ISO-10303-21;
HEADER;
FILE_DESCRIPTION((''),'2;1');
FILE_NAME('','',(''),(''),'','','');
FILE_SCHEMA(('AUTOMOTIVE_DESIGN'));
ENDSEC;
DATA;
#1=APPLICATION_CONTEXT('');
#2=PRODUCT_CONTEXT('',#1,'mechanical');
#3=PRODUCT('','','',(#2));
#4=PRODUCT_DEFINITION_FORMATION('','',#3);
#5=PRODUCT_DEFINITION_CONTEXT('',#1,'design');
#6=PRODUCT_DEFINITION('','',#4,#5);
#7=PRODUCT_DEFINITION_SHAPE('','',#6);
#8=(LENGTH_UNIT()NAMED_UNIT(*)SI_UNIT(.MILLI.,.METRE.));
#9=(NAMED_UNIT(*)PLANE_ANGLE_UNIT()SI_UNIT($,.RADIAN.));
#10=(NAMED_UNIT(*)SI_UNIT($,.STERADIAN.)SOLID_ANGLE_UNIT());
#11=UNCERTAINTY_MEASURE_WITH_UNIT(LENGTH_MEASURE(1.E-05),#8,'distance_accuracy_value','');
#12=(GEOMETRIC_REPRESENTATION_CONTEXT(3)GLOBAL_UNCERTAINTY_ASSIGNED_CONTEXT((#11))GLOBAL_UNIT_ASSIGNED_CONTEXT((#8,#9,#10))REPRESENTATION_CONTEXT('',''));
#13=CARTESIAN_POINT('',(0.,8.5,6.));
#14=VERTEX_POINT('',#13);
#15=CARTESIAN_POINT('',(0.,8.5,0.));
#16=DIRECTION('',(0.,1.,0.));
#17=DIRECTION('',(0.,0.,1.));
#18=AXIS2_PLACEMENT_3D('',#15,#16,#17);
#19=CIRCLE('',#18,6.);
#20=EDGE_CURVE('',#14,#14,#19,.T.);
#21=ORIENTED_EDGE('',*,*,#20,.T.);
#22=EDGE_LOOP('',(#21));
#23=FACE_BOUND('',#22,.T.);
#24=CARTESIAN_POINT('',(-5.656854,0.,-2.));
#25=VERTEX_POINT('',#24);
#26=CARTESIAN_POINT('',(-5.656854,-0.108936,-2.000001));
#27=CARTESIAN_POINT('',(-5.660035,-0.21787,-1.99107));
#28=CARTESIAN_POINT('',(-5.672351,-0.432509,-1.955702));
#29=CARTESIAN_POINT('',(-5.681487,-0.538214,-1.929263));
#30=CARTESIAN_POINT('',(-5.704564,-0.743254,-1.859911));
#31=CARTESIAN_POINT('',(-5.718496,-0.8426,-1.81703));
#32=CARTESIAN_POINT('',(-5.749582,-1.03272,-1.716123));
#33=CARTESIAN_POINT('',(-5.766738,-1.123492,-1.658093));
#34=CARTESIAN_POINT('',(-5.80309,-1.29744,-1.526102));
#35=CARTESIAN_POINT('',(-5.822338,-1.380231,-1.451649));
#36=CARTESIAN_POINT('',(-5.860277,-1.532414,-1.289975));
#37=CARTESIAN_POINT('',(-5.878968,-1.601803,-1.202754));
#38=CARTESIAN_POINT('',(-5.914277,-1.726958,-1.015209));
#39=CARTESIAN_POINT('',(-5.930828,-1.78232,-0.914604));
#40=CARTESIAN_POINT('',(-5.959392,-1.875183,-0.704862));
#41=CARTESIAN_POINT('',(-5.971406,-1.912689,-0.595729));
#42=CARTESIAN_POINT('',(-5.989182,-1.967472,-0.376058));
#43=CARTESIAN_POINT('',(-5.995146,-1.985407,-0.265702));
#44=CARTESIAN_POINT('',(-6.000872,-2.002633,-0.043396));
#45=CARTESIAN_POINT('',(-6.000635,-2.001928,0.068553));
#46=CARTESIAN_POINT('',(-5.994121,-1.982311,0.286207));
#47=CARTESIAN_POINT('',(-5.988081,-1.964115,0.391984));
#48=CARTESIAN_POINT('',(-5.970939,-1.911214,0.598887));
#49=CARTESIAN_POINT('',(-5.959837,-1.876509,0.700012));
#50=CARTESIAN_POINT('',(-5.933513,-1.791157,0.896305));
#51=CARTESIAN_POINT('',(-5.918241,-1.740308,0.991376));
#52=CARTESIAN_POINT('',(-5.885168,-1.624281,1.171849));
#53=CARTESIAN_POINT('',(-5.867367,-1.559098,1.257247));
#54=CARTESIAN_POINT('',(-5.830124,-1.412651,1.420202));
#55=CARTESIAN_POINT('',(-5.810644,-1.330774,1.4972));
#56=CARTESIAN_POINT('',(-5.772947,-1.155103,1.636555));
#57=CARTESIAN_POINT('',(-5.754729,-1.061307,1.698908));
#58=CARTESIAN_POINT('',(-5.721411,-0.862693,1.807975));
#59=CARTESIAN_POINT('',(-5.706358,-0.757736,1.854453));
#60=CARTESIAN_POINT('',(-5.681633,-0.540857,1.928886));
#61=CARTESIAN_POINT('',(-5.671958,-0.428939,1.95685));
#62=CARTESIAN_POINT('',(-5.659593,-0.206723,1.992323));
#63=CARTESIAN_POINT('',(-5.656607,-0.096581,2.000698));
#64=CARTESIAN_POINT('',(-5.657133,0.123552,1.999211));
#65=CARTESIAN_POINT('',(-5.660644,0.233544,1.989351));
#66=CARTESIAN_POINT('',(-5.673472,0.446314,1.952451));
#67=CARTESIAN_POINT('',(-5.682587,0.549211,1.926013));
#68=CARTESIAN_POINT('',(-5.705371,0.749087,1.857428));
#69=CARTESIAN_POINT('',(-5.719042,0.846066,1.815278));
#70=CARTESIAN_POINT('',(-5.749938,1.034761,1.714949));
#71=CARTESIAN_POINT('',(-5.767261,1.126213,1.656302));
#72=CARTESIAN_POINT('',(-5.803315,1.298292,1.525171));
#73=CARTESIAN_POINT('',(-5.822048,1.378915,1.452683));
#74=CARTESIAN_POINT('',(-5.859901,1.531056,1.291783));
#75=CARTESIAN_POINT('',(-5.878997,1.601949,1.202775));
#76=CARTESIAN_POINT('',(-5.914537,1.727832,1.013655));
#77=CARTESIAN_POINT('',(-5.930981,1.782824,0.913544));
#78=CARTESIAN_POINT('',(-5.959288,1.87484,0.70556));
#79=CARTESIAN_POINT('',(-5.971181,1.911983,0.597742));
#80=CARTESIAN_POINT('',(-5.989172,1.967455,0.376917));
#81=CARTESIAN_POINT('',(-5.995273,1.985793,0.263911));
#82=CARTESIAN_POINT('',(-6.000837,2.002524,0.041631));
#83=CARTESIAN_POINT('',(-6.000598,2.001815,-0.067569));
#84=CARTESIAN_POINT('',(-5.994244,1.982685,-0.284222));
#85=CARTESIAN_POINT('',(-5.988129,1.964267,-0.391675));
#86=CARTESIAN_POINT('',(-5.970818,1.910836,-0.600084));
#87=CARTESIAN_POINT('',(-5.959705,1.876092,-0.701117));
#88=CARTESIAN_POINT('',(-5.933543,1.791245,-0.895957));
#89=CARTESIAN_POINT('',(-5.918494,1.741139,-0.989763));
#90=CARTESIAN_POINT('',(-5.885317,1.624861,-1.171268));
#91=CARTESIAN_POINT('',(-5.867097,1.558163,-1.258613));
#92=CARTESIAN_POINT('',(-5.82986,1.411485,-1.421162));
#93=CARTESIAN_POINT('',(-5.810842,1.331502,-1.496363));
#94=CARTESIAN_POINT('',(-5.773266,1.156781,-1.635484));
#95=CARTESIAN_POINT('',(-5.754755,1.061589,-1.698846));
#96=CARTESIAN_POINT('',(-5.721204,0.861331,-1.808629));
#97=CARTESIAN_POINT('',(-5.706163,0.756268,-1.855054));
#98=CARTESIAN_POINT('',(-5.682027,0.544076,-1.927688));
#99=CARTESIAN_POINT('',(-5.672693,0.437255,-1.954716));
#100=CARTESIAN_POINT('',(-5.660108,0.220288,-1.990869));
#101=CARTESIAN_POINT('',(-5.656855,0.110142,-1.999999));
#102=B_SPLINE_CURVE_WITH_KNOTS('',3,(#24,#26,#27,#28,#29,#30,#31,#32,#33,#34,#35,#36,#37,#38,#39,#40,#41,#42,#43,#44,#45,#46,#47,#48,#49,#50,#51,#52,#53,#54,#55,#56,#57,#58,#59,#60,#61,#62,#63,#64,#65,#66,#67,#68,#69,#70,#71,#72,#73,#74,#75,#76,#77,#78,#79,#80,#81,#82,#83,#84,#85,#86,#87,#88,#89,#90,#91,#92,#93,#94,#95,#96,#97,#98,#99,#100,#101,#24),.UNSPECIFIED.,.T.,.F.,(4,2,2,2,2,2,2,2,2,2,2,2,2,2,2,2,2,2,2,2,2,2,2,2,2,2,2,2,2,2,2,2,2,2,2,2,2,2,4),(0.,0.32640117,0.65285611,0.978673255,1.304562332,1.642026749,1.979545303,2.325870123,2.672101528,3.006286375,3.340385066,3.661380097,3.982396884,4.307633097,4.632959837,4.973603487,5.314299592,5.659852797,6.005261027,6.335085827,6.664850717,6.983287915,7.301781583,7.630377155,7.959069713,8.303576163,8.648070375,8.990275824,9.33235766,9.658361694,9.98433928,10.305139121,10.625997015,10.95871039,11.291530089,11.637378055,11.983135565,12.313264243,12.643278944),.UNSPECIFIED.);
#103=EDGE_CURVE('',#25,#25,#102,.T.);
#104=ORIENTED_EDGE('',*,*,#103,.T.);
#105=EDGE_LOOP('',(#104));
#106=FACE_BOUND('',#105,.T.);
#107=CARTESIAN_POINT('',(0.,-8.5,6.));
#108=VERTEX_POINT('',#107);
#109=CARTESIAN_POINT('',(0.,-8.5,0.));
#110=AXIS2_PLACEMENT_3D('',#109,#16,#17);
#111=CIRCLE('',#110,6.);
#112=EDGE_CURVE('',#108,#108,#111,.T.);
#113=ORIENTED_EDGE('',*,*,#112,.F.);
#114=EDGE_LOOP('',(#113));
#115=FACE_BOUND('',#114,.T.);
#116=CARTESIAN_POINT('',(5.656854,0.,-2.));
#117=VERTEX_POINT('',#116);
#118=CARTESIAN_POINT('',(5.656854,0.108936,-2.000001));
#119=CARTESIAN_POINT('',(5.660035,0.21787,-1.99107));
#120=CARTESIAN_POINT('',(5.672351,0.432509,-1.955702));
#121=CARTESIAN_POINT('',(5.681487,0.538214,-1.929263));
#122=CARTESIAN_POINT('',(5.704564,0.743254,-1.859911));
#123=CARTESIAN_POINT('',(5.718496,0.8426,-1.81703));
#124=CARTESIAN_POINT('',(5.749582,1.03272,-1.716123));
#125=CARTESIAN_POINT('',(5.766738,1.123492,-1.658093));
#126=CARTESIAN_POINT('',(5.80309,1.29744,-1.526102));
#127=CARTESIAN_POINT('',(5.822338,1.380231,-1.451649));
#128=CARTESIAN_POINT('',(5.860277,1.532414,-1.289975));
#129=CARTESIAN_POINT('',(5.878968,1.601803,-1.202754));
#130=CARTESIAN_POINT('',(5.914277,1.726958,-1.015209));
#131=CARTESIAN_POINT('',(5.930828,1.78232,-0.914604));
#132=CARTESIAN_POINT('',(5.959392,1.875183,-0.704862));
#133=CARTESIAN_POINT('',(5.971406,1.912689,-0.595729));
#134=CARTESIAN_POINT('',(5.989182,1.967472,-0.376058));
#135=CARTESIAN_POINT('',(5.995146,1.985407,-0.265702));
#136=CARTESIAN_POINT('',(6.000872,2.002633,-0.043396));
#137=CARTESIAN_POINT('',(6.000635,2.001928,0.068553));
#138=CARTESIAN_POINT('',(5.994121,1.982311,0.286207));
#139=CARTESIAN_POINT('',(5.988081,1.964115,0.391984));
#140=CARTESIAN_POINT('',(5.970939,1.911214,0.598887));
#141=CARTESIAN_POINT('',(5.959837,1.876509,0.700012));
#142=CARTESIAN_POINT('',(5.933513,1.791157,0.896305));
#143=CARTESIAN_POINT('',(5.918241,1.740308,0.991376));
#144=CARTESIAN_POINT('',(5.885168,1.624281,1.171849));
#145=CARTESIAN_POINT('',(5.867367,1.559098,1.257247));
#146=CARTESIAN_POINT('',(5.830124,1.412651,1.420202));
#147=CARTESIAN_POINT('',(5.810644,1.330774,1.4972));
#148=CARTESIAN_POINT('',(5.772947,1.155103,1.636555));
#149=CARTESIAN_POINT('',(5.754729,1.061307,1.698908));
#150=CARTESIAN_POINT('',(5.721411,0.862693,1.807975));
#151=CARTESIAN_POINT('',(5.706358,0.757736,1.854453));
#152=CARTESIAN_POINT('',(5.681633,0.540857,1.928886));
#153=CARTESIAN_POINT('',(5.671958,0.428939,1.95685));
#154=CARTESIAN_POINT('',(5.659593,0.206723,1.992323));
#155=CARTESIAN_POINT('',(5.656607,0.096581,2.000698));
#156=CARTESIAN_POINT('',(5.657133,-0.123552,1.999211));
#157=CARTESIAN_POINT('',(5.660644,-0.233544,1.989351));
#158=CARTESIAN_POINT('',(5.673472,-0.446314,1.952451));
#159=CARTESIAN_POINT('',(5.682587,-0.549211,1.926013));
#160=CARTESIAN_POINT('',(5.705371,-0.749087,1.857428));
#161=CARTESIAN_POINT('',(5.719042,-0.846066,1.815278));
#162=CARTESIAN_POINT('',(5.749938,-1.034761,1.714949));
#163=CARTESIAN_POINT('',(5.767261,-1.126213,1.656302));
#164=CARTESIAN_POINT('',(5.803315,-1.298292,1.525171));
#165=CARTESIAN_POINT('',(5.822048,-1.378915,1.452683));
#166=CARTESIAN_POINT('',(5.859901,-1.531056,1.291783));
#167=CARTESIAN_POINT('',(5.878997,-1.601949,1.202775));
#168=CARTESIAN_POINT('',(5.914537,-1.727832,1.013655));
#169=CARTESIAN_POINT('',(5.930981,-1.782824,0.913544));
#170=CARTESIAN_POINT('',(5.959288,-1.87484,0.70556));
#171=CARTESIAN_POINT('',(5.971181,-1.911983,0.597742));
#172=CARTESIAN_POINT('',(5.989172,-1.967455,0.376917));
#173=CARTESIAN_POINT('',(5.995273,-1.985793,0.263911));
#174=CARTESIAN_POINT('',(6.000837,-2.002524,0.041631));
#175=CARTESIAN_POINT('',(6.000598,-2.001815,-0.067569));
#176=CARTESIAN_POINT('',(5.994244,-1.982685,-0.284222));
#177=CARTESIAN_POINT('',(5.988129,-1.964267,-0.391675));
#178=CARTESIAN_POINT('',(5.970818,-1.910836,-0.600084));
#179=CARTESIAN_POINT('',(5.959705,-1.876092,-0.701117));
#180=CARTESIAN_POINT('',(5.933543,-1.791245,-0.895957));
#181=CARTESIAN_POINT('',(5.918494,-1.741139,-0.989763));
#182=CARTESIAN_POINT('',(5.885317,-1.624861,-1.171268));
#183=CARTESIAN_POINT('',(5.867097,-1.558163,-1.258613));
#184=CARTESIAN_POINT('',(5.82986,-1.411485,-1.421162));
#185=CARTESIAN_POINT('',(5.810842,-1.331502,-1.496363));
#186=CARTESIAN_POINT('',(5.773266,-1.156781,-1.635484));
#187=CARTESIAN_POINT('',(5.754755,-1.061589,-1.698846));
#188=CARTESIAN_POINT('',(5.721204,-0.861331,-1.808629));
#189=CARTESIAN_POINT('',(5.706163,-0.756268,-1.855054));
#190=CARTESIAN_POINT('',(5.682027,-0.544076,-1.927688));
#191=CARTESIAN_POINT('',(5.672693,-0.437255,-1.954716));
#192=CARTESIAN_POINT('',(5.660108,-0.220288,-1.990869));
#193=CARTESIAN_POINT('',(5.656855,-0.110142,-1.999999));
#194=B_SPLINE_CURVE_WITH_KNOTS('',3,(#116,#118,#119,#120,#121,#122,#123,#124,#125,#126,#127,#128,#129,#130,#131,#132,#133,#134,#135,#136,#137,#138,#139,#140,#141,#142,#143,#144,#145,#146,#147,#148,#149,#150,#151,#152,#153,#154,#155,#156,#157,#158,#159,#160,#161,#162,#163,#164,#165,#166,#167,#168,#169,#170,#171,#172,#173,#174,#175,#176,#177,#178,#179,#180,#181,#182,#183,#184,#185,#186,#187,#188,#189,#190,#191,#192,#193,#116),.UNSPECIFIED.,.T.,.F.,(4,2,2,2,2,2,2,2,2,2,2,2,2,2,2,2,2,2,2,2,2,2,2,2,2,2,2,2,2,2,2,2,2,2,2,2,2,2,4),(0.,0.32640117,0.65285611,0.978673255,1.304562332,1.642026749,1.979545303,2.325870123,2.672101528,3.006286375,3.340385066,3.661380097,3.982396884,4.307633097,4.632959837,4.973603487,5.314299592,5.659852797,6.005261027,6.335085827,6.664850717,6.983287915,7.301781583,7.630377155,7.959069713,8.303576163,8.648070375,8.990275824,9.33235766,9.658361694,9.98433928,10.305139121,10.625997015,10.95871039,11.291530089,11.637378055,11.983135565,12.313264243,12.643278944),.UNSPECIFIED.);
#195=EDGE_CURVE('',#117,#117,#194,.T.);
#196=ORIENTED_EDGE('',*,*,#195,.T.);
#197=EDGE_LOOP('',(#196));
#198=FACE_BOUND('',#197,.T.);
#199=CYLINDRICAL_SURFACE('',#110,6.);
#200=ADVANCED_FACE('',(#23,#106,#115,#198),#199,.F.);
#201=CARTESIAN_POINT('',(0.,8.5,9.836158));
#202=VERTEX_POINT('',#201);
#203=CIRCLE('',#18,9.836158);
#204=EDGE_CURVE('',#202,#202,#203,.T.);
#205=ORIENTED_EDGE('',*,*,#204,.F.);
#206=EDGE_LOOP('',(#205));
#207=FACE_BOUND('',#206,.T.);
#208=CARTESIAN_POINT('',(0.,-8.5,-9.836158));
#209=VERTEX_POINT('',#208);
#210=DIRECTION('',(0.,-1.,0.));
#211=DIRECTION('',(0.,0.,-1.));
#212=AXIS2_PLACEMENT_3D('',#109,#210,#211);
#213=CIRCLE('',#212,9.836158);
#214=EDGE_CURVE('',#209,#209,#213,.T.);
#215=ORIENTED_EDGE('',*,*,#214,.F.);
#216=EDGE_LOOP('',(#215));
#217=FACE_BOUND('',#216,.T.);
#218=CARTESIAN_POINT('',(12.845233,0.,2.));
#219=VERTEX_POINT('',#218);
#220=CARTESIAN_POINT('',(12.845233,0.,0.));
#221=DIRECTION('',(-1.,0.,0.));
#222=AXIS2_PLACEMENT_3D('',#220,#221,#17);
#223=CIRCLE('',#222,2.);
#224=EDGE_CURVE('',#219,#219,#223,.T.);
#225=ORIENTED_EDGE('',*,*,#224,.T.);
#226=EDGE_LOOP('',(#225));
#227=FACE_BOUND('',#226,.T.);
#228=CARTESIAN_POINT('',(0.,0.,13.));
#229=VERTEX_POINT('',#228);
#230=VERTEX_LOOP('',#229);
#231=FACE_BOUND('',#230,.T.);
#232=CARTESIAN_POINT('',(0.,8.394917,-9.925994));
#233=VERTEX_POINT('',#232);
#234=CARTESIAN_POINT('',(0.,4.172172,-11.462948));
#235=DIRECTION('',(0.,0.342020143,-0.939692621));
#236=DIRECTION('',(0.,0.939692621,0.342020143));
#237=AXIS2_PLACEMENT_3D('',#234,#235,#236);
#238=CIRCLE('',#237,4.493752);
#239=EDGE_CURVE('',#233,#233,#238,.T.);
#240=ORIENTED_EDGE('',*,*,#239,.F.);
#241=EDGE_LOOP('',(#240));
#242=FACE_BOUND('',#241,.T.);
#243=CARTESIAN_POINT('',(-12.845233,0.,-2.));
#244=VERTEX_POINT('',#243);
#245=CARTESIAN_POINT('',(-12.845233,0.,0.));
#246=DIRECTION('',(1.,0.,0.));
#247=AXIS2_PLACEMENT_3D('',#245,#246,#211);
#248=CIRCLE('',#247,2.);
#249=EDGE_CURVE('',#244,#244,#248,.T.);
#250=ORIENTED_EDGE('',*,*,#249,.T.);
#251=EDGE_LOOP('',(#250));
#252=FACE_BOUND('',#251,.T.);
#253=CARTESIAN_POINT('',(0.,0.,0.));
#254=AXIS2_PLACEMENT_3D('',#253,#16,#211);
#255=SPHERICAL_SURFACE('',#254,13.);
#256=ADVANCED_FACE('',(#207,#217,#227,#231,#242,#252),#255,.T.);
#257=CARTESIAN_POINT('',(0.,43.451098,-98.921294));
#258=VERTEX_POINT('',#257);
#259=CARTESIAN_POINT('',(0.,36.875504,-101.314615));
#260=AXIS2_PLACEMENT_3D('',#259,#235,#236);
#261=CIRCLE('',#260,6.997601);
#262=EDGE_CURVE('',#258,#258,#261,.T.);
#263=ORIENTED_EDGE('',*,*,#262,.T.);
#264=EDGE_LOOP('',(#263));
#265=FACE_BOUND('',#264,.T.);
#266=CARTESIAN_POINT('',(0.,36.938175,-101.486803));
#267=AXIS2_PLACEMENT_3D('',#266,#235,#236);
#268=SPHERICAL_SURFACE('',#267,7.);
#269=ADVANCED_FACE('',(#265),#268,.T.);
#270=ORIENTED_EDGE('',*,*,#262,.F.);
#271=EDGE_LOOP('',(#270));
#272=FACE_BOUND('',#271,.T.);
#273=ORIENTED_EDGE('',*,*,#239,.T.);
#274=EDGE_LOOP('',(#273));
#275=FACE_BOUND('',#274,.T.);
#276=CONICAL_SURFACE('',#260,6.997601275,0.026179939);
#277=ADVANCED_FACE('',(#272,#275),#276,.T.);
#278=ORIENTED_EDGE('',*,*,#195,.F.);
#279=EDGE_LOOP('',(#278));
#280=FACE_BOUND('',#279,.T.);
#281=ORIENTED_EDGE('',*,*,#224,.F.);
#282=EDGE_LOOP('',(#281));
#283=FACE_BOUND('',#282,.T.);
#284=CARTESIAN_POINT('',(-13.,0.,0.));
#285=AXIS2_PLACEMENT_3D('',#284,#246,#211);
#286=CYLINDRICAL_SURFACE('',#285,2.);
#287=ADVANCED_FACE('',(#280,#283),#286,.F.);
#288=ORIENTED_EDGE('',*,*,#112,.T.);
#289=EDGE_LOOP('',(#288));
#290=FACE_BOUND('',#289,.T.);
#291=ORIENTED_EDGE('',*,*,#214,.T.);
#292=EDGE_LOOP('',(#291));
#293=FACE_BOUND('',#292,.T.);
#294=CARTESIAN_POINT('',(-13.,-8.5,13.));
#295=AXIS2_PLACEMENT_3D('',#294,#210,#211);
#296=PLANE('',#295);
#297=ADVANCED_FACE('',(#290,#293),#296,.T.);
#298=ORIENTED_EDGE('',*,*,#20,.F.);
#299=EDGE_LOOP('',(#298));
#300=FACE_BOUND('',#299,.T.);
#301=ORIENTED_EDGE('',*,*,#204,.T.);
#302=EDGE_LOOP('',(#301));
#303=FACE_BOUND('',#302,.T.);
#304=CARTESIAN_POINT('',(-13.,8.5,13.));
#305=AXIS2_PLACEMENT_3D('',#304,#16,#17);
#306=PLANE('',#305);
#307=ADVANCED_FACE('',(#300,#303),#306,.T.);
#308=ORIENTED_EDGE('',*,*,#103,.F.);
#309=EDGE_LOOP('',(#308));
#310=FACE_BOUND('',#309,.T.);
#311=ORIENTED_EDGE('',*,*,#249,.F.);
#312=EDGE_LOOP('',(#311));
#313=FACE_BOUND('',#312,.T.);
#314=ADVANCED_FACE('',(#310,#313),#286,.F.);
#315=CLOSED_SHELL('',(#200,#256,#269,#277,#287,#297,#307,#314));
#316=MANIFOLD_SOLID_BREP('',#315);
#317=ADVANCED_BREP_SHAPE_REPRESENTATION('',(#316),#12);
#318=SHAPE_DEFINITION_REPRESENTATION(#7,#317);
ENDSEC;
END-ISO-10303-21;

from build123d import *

# Parameters (mm, degrees)
CUT_EXTRUDE_1_DEPTH      = 23.516660498
CUT_EXTRUDE_1_DEPTH_BACK = 23.516660498
SKETCH_2_OUTSIDE_W       = 37.006
SKETCH_2_OUTSIDE_H       = 37.006
SKETCH_2_OUTSIDE_W_2     = 26
SKETCH_2_OUTSIDE_H_2     = 17
CUT_EXTRUDE_2_DEPTH      = 26.039968051
CUT_EXTRUDE_2_DEPTH_BACK = 26.039968051
SKETCH_3_R               = 6
CUT_EXTRUDE_3_DEPTH      = 21.254629101
CUT_EXTRUDE_3_DEPTH_BACK = 21.254629101
SKETCH_4_R               = 2


with BuildPart() as part:
    # 草图1 → 旋转1 (revolve)
    with BuildSketch(Plane(origin=(0, 0, 0), x_dir=(0, 0, -1), z_dir=(1, 0, 0))):
        with BuildLine():
            Line((0, 13), (0, -13))
            ThreePointArc((0, -13), (13, 0), (0, 13))
        make_face()
    revolve(axis=Axis((0, -13, 0), (0, -1, 0)))

    # 草图2 outside → 切除-拉伸1 (cut, two sides: drawn at the far end of the back side and taken through both)
    with BuildSketch(Plane(origin=(0, 0, 0), x_dir=(0, 0, -1), z_dir=(1, 0, 0)).offset(-CUT_EXTRUDE_1_DEPTH_BACK)):
        Rectangle(SKETCH_2_OUTSIDE_W, SKETCH_2_OUTSIDE_H)
        Rectangle(SKETCH_2_OUTSIDE_W_2, SKETCH_2_OUTSIDE_H_2, mode=Mode.SUBTRACT)
    extrude(amount=CUT_EXTRUDE_1_DEPTH + CUT_EXTRUDE_1_DEPTH_BACK, mode=Mode.SUBTRACT)

    # 草图3 → 切除-拉伸2 (cut, two sides: drawn at the far end of the back side and taken through both)
    with BuildSketch(Plane(origin=(0, 8.5, 0), x_dir=(1, 0, 0), z_dir=(0, 1, 0)).offset(-CUT_EXTRUDE_2_DEPTH_BACK)):
        with Locations(Location((0, 0, 0), (0, 0, 270))):
            Circle(SKETCH_3_R)
    extrude(amount=CUT_EXTRUDE_2_DEPTH + CUT_EXTRUDE_2_DEPTH_BACK, mode=Mode.SUBTRACT)

    # 草图4 → 切除-拉伸3 (cut, two sides: drawn at the far end of the back side and taken through both)
    with BuildSketch(Plane(origin=(0, 0, 0), x_dir=(0, 0, -1), z_dir=(1, 0, 0)).offset(-CUT_EXTRUDE_3_DEPTH_BACK)):
        Circle(SKETCH_4_R)
    extrude(amount=CUT_EXTRUDE_3_DEPTH + CUT_EXTRUDE_3_DEPTH_BACK, mode=Mode.SUBTRACT)

    # 草图5 → 旋转2 (revolve)
    with BuildSketch(Plane(origin=(0, 0, 0), x_dir=(0, 0, -1), z_dir=(1, 0, 0))):
        with BuildLine():
            Line((9.925994235, 8.394917417), (98.921294458, 43.451098455))
            ThreePointArc((98.921294458, 43.451098455), (104.361835013, 43.320509784), (108.06465139, 39.332316482))
            Line((108.06465139, 39.332316482), (11.462947931, 4.172171844))
            Line((11.462947931, 4.172171844), (9.925994235, 8.394917417))
        make_face()
    revolve(axis=Axis((0, 4.172171844, -11.462947931), (0, -0.34202014332566955, 0.9396926207859082)))


solid = part.part
